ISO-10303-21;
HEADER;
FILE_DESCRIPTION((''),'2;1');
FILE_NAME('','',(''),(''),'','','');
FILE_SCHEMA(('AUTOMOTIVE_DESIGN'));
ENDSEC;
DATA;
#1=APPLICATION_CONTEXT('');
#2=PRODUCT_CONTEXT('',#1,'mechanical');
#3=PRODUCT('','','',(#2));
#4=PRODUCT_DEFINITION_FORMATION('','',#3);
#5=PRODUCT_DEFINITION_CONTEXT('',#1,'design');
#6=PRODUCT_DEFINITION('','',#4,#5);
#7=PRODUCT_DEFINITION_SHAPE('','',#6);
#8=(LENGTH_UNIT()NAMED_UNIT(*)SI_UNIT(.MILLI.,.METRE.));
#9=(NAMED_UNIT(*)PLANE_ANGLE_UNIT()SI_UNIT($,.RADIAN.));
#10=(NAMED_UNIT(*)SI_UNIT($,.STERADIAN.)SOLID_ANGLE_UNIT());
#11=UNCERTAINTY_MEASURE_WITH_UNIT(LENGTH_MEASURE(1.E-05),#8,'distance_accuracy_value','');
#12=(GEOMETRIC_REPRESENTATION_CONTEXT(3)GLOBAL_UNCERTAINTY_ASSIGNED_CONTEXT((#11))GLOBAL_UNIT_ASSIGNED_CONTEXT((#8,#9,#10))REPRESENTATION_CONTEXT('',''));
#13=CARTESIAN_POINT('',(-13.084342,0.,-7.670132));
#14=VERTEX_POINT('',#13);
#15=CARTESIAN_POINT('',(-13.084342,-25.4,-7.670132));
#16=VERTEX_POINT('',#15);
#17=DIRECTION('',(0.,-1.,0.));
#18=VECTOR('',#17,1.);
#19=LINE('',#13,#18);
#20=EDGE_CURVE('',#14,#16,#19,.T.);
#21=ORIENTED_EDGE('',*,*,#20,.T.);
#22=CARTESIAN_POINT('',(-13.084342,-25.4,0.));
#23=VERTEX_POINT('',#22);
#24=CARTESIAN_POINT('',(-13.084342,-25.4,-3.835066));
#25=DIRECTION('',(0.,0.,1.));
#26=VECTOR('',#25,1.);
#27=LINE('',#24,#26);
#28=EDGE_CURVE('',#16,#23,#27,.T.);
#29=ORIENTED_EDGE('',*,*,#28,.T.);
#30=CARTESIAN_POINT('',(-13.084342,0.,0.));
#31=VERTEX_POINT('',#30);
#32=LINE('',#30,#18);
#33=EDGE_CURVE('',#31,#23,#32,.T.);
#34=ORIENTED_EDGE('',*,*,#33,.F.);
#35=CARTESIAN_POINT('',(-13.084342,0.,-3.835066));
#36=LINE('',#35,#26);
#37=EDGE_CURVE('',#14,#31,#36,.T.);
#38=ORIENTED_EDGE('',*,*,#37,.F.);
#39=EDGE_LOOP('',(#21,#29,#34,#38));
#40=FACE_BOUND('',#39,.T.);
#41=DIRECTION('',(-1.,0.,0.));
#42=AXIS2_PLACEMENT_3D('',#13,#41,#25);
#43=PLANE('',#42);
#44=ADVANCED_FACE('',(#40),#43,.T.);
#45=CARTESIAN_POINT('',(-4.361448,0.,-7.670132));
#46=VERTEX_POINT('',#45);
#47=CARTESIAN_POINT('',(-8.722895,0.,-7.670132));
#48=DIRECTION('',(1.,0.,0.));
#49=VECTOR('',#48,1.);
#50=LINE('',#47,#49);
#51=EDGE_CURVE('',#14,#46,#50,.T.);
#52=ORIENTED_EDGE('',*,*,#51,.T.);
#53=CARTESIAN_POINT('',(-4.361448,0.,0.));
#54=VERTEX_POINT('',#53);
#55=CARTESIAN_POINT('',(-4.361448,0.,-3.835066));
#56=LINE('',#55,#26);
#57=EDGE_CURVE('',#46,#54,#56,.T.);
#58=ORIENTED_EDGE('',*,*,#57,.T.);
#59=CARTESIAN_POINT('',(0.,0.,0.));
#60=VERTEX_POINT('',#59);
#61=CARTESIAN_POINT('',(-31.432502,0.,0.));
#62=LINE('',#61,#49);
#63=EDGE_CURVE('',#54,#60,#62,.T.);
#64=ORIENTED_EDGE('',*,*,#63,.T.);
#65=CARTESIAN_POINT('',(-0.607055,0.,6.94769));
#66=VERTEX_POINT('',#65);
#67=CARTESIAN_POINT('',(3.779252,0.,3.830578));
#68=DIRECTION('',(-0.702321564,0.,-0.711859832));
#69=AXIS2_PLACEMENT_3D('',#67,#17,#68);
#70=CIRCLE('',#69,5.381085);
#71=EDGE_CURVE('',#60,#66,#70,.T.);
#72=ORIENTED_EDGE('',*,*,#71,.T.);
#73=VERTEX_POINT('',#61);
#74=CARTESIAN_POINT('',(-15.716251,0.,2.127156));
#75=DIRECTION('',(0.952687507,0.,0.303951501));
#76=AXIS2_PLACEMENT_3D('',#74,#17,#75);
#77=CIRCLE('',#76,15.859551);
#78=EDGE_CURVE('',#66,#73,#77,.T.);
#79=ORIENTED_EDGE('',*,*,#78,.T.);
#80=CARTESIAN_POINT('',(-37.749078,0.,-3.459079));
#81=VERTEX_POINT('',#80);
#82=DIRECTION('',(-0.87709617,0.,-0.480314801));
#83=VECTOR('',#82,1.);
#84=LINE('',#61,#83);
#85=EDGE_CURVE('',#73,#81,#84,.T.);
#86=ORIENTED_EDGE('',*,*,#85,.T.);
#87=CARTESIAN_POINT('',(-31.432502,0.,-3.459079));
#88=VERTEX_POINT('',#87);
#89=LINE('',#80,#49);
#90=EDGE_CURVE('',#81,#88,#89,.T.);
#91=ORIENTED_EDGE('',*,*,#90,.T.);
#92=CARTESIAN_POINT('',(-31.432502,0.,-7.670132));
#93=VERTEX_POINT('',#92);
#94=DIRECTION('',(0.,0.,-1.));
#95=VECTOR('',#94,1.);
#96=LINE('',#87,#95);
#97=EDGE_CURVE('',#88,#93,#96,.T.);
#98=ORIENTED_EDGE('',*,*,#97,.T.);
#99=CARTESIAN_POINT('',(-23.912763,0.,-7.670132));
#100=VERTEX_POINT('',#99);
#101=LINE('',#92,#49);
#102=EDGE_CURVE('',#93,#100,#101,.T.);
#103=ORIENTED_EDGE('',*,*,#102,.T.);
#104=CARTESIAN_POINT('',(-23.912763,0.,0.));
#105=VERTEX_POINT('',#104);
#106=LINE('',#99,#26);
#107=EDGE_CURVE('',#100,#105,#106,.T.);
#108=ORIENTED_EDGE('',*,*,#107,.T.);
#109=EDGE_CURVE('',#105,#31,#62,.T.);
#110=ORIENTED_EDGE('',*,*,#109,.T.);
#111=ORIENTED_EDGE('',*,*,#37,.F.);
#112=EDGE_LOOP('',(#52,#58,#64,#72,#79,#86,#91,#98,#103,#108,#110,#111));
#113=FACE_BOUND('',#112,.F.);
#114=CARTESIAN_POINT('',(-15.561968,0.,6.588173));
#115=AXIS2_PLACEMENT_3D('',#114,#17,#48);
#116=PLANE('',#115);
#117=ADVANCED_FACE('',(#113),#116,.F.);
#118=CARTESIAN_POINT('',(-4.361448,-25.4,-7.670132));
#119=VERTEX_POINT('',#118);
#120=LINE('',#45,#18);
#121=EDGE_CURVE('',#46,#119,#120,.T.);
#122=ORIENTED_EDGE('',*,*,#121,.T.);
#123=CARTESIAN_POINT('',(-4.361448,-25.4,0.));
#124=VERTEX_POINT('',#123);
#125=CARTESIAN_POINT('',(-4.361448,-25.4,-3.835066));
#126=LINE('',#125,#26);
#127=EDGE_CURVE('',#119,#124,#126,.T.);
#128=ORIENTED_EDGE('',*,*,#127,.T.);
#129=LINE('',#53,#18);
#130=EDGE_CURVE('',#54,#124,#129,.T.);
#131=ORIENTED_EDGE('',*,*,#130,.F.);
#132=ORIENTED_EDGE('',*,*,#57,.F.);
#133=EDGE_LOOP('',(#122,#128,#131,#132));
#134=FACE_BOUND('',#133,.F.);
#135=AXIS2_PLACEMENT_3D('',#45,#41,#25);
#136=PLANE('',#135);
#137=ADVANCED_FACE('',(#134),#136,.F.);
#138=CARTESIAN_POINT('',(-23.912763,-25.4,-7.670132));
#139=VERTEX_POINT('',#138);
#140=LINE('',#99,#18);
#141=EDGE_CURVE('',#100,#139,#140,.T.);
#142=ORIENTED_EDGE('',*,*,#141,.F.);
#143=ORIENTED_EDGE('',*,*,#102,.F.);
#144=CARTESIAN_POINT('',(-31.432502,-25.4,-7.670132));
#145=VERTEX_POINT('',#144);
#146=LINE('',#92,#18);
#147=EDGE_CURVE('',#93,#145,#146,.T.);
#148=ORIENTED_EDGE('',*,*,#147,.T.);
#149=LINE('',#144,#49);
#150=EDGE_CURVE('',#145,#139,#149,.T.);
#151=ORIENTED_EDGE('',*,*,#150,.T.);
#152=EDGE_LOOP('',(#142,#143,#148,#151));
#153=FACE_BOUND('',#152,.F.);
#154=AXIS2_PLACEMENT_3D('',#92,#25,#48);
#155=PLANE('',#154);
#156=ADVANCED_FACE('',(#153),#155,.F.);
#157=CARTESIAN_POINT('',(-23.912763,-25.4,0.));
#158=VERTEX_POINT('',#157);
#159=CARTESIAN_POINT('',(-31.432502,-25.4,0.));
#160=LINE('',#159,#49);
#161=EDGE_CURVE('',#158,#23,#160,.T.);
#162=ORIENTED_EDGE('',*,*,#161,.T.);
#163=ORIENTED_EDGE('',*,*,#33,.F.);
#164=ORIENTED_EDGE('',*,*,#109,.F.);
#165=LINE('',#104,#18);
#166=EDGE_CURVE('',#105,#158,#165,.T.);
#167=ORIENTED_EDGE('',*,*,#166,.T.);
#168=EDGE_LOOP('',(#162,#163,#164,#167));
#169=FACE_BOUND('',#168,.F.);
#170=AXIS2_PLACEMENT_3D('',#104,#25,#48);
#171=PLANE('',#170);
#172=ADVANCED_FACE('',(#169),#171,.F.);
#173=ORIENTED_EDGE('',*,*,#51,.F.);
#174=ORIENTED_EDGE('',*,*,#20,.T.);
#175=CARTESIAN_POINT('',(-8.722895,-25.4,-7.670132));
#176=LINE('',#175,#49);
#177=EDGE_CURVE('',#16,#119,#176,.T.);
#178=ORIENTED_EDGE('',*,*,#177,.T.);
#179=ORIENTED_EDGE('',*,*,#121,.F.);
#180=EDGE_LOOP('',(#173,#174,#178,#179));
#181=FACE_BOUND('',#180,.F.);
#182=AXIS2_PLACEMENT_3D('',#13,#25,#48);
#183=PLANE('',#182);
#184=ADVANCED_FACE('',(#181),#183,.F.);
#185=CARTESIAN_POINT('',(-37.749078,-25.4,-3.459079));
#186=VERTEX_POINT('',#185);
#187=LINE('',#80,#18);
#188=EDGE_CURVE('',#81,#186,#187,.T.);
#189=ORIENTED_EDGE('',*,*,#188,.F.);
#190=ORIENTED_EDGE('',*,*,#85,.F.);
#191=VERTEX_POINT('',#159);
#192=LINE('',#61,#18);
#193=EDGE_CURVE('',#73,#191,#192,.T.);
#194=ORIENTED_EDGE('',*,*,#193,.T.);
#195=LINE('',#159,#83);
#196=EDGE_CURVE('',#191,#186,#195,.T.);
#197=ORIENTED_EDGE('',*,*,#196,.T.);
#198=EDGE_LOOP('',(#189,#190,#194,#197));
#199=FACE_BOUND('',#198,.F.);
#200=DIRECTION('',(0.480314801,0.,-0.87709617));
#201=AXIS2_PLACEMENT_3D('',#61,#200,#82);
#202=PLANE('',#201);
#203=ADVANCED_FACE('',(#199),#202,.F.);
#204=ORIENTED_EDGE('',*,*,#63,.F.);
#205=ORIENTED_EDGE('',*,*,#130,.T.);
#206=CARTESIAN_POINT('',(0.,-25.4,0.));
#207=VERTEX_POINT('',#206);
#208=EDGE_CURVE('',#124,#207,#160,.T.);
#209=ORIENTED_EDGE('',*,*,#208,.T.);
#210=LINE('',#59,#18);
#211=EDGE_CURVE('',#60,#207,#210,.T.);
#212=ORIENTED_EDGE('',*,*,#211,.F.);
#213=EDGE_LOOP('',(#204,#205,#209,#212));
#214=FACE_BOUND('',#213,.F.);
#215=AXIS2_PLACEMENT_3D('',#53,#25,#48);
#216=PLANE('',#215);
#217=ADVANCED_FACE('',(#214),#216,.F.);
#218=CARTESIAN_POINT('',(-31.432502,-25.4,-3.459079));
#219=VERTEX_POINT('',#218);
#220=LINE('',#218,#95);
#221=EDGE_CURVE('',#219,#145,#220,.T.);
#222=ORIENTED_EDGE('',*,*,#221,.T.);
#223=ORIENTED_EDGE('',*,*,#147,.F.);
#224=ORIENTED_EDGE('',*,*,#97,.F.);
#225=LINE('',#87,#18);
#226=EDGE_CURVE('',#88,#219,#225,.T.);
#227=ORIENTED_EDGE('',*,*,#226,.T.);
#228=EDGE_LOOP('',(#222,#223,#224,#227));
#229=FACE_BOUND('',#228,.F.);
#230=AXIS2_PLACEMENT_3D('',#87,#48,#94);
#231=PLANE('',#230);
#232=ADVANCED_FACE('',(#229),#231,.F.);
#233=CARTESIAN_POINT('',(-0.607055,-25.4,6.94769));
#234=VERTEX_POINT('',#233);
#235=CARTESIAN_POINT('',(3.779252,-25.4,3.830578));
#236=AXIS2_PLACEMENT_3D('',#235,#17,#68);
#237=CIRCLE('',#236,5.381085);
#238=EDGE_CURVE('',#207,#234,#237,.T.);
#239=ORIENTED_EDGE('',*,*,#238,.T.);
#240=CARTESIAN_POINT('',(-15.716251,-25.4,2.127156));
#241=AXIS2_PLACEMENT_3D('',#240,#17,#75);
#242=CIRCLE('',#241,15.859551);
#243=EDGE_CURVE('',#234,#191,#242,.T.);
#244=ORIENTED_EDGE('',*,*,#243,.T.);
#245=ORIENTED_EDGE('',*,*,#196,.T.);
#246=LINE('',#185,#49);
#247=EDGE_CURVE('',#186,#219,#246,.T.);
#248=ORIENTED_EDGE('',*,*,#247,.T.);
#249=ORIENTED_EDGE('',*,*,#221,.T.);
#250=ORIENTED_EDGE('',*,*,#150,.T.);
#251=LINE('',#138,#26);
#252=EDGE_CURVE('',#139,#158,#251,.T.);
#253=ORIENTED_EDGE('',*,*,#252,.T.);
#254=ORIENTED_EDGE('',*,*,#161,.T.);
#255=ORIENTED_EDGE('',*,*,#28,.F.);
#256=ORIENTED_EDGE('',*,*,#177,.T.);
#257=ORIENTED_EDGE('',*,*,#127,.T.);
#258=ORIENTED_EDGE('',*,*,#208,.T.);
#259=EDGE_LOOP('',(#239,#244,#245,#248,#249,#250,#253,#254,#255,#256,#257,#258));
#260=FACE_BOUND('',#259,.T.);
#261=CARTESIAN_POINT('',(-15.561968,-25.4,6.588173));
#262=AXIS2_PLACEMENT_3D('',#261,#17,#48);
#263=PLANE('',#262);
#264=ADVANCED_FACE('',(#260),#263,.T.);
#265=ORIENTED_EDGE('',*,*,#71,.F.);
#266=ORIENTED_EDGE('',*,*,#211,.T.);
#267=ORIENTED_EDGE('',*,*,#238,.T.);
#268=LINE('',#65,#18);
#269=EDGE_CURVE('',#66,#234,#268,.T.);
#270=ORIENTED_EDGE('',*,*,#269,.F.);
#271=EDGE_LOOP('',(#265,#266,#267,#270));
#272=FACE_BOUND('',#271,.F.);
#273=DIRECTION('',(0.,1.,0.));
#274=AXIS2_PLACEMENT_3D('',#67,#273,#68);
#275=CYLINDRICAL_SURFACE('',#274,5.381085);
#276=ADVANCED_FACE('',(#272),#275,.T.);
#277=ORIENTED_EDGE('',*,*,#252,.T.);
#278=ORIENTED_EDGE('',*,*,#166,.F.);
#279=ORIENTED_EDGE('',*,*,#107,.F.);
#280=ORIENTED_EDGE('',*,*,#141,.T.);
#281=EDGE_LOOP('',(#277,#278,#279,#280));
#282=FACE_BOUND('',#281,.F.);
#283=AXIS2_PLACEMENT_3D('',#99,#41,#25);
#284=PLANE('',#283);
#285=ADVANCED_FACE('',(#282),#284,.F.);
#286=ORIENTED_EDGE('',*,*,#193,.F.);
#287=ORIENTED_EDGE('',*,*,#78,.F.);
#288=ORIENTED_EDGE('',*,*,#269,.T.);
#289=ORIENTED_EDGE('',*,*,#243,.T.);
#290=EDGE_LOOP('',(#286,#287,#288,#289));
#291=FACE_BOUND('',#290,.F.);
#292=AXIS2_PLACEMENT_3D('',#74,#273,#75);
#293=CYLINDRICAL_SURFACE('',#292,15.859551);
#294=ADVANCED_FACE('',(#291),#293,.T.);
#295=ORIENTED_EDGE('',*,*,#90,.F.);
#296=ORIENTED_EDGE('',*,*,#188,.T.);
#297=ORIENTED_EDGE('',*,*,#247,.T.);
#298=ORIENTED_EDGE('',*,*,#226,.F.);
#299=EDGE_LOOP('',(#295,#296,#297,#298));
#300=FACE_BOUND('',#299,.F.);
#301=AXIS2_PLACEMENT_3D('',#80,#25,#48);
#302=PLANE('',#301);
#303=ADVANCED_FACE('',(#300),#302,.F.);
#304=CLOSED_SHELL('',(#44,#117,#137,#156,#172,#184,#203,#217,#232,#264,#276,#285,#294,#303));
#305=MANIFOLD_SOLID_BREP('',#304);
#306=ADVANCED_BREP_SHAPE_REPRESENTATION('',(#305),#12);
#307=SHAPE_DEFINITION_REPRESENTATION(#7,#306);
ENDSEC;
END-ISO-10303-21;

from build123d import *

# Parameters (mm, degrees)
F0_W     = 8.722893
F0_H     = 7.670132
F1_DEPTH = 25.4


with BuildPart() as f1:
    # F0 (on Front) → F1 (new body)
    with BuildSketch(Plane.XZ):
        with BuildLine():
            Line((-4.361449, 0), (0, 0))
            ThreePointArc((0, 0), (0.083105, 3.507627), (-0.607055, 6.94769))
            ThreePointArc((-0.607055, 6.94769), (-19.203331, 17.598601), (-31.432502, 0))
            Line((-31.432502, 0), (-23.912763, 0))
            Line((-23.912763, 0), (-13.084342, 0))
            Line((-13.084342, 0), (-4.361449, 0))
        make_face()
        with BuildLine():
            ThreePointArc((-0.607055, 6.94769), (0.083105, 3.507627), (0, 0))
            ThreePointArc((0, 0), (9.139913, 4.298967), (-0.607055, 6.94769))
        make_face()
        with Locations((-8.722895, -3.835066)):
            Rectangle(F0_W, F0_H)
        Polygon((-31.432502, -3.459079), (-31.432502, 0), (-37.749078, -3.459079), align=None)
        Polygon((-23.912763, 0), (-31.432502, 0), (-31.432502, -3.459079), (-31.432502, -7.670132), (-23.912763, -7.670132), align=None)
    extrude(amount=F1_DEPTH)


solid = f1.part
